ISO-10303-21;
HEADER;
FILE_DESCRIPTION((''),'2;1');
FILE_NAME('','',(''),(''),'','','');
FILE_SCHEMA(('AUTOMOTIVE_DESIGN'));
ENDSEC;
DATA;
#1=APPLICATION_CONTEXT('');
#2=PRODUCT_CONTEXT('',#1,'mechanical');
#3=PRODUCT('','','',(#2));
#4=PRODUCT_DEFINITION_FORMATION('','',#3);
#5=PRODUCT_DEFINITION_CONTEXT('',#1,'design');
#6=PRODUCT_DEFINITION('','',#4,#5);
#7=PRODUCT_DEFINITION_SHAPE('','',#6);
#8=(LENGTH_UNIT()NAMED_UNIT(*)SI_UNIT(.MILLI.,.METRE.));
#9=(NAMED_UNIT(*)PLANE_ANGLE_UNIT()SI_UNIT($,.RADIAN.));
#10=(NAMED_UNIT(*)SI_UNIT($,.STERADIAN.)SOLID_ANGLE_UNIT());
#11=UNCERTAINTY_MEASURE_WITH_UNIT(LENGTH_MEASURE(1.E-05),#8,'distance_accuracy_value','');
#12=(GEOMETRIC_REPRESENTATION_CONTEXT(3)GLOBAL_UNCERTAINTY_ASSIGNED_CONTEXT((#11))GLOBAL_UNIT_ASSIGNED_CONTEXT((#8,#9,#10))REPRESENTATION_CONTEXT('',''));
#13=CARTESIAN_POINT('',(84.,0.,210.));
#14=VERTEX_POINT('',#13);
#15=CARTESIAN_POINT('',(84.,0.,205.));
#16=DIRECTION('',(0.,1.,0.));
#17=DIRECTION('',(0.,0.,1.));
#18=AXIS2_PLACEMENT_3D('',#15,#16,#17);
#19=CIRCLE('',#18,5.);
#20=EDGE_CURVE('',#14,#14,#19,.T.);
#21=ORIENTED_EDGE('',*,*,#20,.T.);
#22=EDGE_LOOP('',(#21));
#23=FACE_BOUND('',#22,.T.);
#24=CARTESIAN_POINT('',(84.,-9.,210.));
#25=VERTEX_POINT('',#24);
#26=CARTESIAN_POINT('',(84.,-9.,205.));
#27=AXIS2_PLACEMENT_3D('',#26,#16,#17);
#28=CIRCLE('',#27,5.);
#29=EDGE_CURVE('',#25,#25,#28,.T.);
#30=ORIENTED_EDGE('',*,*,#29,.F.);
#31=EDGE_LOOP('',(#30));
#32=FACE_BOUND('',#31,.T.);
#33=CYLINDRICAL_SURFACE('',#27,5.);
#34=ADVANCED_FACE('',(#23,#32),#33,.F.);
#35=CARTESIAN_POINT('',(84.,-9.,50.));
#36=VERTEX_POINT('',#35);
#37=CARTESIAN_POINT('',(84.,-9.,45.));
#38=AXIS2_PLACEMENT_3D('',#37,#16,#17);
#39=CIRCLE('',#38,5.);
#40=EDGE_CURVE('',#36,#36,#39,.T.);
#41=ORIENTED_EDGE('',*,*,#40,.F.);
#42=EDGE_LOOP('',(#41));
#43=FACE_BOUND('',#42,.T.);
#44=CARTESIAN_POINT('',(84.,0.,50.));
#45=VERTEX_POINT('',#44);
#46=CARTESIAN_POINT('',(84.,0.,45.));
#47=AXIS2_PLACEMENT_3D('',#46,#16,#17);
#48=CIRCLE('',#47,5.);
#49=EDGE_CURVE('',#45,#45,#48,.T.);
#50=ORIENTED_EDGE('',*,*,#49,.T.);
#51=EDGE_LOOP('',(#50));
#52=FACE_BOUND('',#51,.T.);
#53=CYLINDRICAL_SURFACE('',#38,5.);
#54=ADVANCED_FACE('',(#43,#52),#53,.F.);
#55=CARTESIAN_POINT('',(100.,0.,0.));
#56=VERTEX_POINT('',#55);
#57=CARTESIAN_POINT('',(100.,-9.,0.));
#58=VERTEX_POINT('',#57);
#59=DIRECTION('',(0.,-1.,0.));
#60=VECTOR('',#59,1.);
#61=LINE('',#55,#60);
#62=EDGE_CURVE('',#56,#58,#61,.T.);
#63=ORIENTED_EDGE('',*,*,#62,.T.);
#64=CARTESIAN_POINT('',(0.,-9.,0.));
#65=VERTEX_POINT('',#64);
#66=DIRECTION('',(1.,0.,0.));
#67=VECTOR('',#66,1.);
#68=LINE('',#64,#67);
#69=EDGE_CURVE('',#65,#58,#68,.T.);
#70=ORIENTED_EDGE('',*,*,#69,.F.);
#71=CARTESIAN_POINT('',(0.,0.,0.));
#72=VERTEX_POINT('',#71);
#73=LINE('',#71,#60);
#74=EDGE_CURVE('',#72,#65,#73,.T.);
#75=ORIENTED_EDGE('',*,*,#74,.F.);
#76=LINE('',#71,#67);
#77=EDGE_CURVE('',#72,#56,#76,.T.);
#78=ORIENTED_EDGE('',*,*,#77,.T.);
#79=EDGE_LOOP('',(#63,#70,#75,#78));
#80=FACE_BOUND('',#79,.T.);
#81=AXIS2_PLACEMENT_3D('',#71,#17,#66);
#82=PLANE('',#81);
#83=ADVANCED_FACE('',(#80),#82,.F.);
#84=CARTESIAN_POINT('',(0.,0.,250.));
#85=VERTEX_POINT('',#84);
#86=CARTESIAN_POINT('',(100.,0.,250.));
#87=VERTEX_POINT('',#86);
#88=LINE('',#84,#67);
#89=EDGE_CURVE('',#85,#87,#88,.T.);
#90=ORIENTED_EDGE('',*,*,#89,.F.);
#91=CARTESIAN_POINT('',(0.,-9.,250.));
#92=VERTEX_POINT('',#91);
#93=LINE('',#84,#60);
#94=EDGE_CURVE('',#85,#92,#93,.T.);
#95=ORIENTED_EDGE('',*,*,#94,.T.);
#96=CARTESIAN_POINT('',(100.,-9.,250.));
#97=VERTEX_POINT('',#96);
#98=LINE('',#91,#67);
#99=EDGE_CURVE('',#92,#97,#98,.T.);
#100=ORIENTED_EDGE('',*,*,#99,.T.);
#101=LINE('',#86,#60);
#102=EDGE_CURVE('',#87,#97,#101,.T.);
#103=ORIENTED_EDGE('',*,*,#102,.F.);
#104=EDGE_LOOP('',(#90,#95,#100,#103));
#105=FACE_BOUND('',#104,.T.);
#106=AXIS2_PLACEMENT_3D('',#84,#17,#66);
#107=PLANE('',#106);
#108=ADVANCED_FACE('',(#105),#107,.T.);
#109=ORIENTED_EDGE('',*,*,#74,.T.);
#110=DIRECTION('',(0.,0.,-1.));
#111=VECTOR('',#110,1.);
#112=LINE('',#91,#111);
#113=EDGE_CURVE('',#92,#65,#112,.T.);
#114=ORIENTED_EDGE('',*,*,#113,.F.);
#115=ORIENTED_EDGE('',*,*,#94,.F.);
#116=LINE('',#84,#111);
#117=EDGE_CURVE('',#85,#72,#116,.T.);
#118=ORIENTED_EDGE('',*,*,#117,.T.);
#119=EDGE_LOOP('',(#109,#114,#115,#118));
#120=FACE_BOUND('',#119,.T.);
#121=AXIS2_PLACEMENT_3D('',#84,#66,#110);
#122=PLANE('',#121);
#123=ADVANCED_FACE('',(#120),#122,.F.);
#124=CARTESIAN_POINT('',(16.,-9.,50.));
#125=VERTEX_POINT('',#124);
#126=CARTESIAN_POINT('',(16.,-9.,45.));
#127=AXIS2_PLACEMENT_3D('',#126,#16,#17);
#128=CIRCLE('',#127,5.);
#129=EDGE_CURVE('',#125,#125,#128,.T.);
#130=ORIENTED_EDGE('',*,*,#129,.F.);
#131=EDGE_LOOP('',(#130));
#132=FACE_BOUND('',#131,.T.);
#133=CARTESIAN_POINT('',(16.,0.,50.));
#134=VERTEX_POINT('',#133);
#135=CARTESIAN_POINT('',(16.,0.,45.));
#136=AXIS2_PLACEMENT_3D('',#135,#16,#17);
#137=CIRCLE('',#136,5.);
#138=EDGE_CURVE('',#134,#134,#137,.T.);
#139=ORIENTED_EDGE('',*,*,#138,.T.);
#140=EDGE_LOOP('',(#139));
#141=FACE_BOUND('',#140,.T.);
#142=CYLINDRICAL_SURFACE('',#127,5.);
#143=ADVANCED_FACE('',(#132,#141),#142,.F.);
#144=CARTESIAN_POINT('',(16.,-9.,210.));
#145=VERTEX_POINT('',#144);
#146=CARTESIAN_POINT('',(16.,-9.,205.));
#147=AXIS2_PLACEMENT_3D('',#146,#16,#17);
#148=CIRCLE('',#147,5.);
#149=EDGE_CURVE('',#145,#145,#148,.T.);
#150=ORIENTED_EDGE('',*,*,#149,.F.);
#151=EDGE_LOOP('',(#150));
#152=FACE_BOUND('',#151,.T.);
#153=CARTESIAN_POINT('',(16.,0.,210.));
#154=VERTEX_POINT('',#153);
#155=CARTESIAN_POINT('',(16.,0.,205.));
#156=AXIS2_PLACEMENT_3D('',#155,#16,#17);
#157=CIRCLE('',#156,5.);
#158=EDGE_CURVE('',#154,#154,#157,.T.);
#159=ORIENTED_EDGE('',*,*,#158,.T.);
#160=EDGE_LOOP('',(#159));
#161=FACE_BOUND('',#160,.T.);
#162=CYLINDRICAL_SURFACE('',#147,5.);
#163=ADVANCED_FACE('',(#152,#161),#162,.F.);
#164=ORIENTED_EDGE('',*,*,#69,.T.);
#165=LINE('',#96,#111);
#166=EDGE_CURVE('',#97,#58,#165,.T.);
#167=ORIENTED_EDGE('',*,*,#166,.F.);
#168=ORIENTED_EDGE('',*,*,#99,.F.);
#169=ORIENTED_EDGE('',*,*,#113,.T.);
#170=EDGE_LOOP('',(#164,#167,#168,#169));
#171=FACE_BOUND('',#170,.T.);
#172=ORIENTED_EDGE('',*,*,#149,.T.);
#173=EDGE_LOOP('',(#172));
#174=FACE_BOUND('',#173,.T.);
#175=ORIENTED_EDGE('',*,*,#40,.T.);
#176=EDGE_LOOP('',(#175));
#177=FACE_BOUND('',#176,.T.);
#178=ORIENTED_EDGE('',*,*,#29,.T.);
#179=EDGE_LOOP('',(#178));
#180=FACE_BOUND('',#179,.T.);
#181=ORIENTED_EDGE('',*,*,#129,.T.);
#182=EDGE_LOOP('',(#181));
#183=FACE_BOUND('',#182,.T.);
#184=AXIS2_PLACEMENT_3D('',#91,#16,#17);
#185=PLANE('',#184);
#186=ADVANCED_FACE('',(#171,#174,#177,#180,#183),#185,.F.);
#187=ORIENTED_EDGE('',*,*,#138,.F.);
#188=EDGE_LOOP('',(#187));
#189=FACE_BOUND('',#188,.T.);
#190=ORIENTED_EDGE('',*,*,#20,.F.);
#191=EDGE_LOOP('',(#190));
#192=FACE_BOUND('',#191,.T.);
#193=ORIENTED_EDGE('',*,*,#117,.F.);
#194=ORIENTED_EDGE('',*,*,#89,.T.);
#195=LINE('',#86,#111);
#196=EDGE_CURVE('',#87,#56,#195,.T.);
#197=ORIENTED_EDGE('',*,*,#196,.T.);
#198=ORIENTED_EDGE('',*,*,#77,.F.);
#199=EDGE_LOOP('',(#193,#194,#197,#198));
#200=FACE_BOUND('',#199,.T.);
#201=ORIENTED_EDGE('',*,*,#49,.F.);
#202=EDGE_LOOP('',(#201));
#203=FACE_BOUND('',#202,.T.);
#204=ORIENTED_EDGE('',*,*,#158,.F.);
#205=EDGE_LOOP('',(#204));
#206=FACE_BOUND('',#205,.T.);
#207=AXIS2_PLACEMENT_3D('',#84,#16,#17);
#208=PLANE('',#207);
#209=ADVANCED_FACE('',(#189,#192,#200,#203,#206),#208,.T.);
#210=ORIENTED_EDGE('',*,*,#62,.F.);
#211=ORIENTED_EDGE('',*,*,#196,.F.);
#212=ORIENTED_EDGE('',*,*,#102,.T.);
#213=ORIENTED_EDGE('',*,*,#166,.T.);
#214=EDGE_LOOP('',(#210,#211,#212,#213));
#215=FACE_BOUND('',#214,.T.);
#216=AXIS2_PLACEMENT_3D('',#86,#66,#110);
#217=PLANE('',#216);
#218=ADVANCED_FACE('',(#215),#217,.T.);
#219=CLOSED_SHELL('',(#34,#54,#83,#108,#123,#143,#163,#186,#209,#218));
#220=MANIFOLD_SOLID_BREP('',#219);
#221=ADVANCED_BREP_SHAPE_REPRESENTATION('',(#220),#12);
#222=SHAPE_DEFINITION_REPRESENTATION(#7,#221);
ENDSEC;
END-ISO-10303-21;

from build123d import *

# Parameters (mm, degrees)
SKETCH1_W           = 100
SKETCH1_H           = 9
BOSS_EXTRUDE1_DEPTH = 250
SKETCH2_R           = 5
CUT_EXTRUDE2_DEPTH  = 270.408611592


with BuildPart() as part:
    # Sketch1 → Boss-Extrude1 (new body)
    with BuildSketch(Plane.XY):
        with Locations((50, -4.5)):
            Rectangle(SKETCH1_W, SKETCH1_H)
    extrude(amount=BOSS_EXTRUDE1_DEPTH)

    # Sketch2 → Cut-Extrude2 (cut, through all)
    with BuildSketch(Plane(origin=(0, 0, 0), x_dir=(1, 0, 0), z_dir=(0, 1, 0))):
        with Locations(Location((16, -45, 0), (0, 0, 270))):
            Circle(SKETCH2_R)
        with Locations(Location((84, -45, 0), (0, 0, 270))):
            Circle(SKETCH2_R)
        with Locations(Location((16, -205, 0), (0, 0, 270))):
            Circle(SKETCH2_R)
        with Locations(Location((84, -205, 0), (0, 0, 270))):
            Circle(SKETCH2_R)
    extrude(amount=-CUT_EXTRUDE2_DEPTH, mode=Mode.SUBTRACT)


solid = part.part
